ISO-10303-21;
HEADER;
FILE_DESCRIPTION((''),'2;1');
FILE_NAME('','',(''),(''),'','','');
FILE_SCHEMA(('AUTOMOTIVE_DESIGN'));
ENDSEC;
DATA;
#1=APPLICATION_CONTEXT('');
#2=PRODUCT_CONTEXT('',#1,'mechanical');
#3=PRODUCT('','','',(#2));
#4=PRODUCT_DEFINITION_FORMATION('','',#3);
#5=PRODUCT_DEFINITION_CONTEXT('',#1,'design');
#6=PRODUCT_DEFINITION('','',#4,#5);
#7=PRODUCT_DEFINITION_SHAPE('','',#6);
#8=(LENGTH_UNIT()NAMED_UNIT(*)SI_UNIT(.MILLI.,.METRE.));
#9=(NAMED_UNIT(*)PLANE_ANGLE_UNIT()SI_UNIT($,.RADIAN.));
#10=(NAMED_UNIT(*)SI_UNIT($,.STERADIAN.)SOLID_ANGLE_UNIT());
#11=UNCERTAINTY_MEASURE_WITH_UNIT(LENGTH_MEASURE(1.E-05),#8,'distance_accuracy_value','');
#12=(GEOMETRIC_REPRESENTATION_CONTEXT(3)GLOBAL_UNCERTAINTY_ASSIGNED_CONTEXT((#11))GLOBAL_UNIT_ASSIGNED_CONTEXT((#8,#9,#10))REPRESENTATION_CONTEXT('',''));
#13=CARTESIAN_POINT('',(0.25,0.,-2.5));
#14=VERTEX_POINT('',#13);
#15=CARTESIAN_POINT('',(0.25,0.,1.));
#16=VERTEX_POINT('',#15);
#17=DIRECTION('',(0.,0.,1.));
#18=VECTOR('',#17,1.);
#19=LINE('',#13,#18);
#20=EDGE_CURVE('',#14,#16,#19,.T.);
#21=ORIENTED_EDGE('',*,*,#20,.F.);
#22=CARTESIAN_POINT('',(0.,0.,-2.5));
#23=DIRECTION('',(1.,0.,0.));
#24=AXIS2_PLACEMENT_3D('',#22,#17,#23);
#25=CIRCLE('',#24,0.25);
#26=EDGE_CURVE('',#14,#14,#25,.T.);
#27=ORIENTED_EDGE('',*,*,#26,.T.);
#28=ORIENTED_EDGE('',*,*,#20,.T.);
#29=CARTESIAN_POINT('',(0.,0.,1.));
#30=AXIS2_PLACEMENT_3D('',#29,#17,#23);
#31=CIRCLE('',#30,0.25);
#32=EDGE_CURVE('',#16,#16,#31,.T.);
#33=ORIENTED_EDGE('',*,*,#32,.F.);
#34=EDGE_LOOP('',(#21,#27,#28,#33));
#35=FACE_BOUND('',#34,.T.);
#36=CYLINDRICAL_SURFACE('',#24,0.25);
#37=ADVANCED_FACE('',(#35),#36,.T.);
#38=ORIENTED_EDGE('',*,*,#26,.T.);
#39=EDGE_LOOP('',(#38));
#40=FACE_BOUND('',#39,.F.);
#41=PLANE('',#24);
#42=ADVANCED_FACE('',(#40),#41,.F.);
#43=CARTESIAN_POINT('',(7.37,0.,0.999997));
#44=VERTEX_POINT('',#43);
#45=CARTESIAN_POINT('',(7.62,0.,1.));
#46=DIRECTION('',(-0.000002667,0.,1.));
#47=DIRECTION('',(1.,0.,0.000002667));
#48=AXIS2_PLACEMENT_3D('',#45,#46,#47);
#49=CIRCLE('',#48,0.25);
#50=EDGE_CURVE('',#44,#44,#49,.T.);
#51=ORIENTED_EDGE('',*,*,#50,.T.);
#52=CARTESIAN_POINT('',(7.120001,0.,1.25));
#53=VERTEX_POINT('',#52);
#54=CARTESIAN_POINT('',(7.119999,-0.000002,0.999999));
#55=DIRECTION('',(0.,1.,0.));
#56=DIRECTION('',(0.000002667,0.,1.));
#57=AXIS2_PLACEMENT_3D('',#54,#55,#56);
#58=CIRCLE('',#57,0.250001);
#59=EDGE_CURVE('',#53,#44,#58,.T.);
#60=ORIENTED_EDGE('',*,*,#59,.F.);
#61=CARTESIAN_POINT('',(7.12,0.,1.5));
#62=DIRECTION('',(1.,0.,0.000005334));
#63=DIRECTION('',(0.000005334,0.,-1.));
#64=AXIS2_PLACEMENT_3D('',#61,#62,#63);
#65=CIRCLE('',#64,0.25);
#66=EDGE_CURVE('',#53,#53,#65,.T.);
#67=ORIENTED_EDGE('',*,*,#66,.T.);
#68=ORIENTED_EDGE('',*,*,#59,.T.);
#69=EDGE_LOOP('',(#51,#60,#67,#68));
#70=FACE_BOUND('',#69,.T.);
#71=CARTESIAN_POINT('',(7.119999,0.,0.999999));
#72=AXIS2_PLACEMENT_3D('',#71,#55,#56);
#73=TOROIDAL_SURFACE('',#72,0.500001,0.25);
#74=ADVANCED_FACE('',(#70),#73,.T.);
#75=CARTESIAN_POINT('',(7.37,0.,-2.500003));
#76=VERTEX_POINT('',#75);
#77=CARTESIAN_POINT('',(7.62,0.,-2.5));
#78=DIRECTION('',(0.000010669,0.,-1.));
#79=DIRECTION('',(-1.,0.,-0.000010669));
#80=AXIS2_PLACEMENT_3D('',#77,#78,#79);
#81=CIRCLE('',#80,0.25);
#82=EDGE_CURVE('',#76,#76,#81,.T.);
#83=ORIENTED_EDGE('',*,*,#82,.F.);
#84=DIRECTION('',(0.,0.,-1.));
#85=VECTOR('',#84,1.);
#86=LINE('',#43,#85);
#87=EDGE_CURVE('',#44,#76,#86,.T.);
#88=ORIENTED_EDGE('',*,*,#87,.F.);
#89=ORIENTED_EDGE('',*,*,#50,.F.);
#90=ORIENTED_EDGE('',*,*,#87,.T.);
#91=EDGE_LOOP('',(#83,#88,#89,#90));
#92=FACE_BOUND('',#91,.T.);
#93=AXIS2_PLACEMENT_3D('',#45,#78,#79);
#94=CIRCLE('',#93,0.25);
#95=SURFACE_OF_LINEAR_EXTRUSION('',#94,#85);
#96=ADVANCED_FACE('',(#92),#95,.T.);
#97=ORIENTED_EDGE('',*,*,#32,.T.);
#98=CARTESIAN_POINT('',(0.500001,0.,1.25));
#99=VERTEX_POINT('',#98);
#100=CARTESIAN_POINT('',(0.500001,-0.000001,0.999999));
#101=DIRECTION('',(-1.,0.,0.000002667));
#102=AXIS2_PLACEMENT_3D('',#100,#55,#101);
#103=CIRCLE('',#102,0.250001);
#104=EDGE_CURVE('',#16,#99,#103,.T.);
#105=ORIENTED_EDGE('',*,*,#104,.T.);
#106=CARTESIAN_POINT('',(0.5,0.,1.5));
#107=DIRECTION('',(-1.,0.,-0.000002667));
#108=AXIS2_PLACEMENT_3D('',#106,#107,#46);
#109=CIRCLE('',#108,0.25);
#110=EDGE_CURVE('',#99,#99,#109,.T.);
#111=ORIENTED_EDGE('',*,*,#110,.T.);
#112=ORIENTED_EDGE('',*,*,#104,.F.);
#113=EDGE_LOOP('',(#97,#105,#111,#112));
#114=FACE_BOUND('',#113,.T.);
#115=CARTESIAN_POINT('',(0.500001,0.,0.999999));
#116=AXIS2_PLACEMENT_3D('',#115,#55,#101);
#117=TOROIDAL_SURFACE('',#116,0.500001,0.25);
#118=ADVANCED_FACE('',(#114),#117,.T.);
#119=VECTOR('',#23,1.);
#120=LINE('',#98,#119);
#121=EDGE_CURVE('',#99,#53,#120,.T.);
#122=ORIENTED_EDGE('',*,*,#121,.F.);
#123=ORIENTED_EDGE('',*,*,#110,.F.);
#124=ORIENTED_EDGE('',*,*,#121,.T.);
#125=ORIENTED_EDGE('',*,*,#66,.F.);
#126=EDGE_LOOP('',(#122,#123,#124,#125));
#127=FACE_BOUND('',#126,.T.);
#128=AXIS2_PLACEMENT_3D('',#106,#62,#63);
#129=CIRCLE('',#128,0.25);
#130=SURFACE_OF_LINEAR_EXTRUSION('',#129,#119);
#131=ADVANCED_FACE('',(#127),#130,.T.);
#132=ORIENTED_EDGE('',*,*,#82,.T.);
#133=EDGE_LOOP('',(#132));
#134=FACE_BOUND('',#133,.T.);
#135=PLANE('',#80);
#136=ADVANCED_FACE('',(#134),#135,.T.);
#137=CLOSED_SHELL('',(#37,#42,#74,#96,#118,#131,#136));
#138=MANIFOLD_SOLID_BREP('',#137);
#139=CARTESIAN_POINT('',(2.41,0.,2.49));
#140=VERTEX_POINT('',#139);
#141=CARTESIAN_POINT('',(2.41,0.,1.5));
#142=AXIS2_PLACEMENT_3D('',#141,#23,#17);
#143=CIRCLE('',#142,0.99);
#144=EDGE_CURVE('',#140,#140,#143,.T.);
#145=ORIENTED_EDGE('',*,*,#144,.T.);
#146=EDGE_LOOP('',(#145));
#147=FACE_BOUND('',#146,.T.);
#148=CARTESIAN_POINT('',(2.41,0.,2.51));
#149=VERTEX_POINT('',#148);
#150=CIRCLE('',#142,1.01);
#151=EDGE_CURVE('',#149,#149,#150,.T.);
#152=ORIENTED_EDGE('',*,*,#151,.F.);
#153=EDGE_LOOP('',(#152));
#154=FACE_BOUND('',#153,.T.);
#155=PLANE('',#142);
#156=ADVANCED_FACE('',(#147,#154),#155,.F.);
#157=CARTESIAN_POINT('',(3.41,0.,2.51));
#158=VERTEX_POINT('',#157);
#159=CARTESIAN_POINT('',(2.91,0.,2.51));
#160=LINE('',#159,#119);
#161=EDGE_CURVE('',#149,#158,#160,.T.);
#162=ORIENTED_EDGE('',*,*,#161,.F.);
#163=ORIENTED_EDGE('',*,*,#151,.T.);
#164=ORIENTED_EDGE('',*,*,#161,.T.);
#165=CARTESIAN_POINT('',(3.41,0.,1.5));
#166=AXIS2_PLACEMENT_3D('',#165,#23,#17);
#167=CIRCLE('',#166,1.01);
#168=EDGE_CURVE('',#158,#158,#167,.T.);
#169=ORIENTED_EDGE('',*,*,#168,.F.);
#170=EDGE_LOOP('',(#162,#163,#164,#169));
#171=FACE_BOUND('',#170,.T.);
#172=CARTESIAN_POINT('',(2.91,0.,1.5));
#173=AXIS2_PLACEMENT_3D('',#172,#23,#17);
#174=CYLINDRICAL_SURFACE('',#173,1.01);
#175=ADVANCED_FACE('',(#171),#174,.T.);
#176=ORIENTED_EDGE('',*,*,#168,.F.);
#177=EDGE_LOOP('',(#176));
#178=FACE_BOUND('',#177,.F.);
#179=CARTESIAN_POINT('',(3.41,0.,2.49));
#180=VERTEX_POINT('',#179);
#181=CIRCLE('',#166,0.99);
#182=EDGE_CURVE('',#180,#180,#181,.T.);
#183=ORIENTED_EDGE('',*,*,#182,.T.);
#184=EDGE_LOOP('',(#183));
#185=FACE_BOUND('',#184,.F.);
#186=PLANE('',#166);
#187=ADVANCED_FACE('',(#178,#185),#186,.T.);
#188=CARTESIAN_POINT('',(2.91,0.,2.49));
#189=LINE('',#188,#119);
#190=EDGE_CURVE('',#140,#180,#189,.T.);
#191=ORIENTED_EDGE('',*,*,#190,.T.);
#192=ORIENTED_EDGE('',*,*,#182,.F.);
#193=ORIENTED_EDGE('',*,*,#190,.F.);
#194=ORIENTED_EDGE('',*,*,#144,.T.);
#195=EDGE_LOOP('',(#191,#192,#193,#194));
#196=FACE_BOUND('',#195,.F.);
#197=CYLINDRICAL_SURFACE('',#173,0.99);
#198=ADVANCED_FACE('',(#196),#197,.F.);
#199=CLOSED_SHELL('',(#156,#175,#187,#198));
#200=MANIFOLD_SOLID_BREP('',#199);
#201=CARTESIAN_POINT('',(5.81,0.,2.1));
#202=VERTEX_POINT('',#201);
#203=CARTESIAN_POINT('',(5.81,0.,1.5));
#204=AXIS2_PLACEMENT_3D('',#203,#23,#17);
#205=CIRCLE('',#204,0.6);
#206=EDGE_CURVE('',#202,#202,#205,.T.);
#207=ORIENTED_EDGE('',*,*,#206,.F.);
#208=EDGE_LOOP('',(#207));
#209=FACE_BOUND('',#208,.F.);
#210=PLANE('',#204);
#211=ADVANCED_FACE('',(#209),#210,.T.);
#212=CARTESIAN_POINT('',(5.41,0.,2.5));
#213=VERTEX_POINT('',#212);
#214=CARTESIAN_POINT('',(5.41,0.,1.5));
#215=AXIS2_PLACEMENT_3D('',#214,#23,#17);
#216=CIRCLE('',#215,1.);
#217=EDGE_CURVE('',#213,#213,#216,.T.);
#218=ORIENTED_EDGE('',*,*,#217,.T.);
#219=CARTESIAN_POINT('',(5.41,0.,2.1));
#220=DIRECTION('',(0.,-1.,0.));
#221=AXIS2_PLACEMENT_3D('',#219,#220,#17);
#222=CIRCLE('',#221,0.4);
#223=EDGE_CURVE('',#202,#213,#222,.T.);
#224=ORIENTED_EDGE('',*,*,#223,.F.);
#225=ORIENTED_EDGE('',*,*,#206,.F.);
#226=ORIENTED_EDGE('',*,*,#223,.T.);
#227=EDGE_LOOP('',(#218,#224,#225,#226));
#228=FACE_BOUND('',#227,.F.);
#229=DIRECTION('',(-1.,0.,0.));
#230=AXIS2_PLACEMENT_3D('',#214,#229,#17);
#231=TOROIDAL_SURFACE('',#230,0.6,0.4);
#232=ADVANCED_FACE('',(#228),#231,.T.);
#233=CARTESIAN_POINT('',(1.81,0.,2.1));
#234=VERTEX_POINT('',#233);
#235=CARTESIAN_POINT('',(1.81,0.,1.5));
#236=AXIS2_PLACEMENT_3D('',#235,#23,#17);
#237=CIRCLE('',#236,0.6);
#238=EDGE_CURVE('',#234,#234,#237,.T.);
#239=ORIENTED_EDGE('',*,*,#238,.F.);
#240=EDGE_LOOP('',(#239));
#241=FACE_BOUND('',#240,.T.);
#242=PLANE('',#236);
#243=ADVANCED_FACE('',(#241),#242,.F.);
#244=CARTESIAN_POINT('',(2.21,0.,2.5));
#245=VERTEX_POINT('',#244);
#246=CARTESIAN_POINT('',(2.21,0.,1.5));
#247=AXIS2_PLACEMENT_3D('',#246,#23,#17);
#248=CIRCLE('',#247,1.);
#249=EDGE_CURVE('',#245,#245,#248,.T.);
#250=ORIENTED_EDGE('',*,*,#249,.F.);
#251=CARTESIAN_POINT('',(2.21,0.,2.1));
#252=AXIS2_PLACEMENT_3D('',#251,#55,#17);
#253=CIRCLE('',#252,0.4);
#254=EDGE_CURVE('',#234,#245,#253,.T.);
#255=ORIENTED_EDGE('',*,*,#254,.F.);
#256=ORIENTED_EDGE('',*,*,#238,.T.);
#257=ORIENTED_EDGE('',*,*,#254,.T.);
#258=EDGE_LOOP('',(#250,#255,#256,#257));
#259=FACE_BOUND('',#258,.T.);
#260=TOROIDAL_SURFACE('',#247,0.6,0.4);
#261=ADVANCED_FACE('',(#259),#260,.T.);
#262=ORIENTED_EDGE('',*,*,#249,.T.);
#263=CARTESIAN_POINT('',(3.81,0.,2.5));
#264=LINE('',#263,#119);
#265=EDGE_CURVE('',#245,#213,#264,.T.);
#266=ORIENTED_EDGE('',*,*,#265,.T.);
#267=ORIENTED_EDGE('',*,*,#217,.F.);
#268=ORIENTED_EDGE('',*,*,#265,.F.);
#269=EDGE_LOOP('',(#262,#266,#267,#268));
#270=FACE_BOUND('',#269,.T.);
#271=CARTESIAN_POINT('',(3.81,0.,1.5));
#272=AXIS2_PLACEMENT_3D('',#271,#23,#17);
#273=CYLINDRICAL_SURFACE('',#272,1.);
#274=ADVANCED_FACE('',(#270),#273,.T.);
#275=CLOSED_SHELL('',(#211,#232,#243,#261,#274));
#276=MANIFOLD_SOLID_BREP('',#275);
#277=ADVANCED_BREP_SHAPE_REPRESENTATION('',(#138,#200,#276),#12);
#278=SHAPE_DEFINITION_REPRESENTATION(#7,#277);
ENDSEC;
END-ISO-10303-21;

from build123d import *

# Parameters (mm, degrees)
SKETCH002_W = 4
SKETCH002_H = 1
FILLET_R    = 0.4
SKETCH003_W = 1
SKETCH003_H = 0.02
SKETCH_R    = 0.25


with BuildPart() as fillet_body:
    # Sketch002 → Revolution (revolve)
    with BuildSketch(Plane.XZ):
        with Locations((3.81, 2)):
            Rectangle(SKETCH002_W, SKETCH002_H)
    revolve(axis=Axis((1.81, 0, 1.5), (1, 0, 0)))

    # Fillet
    fillet_edges = [fillet_body.edges().sort_by_distance(p)[0] for p in [
        (1.81, 0, 0.5),
        (5.81, 0, 0.5),
    ]]
    fillet(fillet_edges, radius=FILLET_R)


with BuildPart() as revolution001:
    # Sketch003 → Revolution001 (revolve)
    with BuildSketch(Plane.XZ):
        with Locations((2.91, 2.5)):
            Rectangle(SKETCH003_W, SKETCH003_H)
    revolve(axis=Axis((0, 0, 1.5), (1, 0, 0)))


with BuildPart() as sweep_body:
    # Sweep: sweep along a path in Sketch001
    with BuildLine(Plane.XZ) as sweep_path:
        Line((0, -2.5), (0, 1))
        ThreePointArc((0, 1), (0.146447, 1.353553), (0.5, 1.5))
        Line((0.5, 1.5), (7.12, 1.5))
        ThreePointArc((7.12, 1.5), (7.473553, 1.353553), (7.62, 1))
        Line((7.62, 1), (7.62, -2.5))
    # Sketch → Sweep (sweep)
    with BuildSketch(Plane.XY.offset(-2)):
        Circle(SKETCH_R)
    sweep(path=sweep_path.line)


solid = Compound([fillet_body.part, revolution001.part, sweep_body.part])
